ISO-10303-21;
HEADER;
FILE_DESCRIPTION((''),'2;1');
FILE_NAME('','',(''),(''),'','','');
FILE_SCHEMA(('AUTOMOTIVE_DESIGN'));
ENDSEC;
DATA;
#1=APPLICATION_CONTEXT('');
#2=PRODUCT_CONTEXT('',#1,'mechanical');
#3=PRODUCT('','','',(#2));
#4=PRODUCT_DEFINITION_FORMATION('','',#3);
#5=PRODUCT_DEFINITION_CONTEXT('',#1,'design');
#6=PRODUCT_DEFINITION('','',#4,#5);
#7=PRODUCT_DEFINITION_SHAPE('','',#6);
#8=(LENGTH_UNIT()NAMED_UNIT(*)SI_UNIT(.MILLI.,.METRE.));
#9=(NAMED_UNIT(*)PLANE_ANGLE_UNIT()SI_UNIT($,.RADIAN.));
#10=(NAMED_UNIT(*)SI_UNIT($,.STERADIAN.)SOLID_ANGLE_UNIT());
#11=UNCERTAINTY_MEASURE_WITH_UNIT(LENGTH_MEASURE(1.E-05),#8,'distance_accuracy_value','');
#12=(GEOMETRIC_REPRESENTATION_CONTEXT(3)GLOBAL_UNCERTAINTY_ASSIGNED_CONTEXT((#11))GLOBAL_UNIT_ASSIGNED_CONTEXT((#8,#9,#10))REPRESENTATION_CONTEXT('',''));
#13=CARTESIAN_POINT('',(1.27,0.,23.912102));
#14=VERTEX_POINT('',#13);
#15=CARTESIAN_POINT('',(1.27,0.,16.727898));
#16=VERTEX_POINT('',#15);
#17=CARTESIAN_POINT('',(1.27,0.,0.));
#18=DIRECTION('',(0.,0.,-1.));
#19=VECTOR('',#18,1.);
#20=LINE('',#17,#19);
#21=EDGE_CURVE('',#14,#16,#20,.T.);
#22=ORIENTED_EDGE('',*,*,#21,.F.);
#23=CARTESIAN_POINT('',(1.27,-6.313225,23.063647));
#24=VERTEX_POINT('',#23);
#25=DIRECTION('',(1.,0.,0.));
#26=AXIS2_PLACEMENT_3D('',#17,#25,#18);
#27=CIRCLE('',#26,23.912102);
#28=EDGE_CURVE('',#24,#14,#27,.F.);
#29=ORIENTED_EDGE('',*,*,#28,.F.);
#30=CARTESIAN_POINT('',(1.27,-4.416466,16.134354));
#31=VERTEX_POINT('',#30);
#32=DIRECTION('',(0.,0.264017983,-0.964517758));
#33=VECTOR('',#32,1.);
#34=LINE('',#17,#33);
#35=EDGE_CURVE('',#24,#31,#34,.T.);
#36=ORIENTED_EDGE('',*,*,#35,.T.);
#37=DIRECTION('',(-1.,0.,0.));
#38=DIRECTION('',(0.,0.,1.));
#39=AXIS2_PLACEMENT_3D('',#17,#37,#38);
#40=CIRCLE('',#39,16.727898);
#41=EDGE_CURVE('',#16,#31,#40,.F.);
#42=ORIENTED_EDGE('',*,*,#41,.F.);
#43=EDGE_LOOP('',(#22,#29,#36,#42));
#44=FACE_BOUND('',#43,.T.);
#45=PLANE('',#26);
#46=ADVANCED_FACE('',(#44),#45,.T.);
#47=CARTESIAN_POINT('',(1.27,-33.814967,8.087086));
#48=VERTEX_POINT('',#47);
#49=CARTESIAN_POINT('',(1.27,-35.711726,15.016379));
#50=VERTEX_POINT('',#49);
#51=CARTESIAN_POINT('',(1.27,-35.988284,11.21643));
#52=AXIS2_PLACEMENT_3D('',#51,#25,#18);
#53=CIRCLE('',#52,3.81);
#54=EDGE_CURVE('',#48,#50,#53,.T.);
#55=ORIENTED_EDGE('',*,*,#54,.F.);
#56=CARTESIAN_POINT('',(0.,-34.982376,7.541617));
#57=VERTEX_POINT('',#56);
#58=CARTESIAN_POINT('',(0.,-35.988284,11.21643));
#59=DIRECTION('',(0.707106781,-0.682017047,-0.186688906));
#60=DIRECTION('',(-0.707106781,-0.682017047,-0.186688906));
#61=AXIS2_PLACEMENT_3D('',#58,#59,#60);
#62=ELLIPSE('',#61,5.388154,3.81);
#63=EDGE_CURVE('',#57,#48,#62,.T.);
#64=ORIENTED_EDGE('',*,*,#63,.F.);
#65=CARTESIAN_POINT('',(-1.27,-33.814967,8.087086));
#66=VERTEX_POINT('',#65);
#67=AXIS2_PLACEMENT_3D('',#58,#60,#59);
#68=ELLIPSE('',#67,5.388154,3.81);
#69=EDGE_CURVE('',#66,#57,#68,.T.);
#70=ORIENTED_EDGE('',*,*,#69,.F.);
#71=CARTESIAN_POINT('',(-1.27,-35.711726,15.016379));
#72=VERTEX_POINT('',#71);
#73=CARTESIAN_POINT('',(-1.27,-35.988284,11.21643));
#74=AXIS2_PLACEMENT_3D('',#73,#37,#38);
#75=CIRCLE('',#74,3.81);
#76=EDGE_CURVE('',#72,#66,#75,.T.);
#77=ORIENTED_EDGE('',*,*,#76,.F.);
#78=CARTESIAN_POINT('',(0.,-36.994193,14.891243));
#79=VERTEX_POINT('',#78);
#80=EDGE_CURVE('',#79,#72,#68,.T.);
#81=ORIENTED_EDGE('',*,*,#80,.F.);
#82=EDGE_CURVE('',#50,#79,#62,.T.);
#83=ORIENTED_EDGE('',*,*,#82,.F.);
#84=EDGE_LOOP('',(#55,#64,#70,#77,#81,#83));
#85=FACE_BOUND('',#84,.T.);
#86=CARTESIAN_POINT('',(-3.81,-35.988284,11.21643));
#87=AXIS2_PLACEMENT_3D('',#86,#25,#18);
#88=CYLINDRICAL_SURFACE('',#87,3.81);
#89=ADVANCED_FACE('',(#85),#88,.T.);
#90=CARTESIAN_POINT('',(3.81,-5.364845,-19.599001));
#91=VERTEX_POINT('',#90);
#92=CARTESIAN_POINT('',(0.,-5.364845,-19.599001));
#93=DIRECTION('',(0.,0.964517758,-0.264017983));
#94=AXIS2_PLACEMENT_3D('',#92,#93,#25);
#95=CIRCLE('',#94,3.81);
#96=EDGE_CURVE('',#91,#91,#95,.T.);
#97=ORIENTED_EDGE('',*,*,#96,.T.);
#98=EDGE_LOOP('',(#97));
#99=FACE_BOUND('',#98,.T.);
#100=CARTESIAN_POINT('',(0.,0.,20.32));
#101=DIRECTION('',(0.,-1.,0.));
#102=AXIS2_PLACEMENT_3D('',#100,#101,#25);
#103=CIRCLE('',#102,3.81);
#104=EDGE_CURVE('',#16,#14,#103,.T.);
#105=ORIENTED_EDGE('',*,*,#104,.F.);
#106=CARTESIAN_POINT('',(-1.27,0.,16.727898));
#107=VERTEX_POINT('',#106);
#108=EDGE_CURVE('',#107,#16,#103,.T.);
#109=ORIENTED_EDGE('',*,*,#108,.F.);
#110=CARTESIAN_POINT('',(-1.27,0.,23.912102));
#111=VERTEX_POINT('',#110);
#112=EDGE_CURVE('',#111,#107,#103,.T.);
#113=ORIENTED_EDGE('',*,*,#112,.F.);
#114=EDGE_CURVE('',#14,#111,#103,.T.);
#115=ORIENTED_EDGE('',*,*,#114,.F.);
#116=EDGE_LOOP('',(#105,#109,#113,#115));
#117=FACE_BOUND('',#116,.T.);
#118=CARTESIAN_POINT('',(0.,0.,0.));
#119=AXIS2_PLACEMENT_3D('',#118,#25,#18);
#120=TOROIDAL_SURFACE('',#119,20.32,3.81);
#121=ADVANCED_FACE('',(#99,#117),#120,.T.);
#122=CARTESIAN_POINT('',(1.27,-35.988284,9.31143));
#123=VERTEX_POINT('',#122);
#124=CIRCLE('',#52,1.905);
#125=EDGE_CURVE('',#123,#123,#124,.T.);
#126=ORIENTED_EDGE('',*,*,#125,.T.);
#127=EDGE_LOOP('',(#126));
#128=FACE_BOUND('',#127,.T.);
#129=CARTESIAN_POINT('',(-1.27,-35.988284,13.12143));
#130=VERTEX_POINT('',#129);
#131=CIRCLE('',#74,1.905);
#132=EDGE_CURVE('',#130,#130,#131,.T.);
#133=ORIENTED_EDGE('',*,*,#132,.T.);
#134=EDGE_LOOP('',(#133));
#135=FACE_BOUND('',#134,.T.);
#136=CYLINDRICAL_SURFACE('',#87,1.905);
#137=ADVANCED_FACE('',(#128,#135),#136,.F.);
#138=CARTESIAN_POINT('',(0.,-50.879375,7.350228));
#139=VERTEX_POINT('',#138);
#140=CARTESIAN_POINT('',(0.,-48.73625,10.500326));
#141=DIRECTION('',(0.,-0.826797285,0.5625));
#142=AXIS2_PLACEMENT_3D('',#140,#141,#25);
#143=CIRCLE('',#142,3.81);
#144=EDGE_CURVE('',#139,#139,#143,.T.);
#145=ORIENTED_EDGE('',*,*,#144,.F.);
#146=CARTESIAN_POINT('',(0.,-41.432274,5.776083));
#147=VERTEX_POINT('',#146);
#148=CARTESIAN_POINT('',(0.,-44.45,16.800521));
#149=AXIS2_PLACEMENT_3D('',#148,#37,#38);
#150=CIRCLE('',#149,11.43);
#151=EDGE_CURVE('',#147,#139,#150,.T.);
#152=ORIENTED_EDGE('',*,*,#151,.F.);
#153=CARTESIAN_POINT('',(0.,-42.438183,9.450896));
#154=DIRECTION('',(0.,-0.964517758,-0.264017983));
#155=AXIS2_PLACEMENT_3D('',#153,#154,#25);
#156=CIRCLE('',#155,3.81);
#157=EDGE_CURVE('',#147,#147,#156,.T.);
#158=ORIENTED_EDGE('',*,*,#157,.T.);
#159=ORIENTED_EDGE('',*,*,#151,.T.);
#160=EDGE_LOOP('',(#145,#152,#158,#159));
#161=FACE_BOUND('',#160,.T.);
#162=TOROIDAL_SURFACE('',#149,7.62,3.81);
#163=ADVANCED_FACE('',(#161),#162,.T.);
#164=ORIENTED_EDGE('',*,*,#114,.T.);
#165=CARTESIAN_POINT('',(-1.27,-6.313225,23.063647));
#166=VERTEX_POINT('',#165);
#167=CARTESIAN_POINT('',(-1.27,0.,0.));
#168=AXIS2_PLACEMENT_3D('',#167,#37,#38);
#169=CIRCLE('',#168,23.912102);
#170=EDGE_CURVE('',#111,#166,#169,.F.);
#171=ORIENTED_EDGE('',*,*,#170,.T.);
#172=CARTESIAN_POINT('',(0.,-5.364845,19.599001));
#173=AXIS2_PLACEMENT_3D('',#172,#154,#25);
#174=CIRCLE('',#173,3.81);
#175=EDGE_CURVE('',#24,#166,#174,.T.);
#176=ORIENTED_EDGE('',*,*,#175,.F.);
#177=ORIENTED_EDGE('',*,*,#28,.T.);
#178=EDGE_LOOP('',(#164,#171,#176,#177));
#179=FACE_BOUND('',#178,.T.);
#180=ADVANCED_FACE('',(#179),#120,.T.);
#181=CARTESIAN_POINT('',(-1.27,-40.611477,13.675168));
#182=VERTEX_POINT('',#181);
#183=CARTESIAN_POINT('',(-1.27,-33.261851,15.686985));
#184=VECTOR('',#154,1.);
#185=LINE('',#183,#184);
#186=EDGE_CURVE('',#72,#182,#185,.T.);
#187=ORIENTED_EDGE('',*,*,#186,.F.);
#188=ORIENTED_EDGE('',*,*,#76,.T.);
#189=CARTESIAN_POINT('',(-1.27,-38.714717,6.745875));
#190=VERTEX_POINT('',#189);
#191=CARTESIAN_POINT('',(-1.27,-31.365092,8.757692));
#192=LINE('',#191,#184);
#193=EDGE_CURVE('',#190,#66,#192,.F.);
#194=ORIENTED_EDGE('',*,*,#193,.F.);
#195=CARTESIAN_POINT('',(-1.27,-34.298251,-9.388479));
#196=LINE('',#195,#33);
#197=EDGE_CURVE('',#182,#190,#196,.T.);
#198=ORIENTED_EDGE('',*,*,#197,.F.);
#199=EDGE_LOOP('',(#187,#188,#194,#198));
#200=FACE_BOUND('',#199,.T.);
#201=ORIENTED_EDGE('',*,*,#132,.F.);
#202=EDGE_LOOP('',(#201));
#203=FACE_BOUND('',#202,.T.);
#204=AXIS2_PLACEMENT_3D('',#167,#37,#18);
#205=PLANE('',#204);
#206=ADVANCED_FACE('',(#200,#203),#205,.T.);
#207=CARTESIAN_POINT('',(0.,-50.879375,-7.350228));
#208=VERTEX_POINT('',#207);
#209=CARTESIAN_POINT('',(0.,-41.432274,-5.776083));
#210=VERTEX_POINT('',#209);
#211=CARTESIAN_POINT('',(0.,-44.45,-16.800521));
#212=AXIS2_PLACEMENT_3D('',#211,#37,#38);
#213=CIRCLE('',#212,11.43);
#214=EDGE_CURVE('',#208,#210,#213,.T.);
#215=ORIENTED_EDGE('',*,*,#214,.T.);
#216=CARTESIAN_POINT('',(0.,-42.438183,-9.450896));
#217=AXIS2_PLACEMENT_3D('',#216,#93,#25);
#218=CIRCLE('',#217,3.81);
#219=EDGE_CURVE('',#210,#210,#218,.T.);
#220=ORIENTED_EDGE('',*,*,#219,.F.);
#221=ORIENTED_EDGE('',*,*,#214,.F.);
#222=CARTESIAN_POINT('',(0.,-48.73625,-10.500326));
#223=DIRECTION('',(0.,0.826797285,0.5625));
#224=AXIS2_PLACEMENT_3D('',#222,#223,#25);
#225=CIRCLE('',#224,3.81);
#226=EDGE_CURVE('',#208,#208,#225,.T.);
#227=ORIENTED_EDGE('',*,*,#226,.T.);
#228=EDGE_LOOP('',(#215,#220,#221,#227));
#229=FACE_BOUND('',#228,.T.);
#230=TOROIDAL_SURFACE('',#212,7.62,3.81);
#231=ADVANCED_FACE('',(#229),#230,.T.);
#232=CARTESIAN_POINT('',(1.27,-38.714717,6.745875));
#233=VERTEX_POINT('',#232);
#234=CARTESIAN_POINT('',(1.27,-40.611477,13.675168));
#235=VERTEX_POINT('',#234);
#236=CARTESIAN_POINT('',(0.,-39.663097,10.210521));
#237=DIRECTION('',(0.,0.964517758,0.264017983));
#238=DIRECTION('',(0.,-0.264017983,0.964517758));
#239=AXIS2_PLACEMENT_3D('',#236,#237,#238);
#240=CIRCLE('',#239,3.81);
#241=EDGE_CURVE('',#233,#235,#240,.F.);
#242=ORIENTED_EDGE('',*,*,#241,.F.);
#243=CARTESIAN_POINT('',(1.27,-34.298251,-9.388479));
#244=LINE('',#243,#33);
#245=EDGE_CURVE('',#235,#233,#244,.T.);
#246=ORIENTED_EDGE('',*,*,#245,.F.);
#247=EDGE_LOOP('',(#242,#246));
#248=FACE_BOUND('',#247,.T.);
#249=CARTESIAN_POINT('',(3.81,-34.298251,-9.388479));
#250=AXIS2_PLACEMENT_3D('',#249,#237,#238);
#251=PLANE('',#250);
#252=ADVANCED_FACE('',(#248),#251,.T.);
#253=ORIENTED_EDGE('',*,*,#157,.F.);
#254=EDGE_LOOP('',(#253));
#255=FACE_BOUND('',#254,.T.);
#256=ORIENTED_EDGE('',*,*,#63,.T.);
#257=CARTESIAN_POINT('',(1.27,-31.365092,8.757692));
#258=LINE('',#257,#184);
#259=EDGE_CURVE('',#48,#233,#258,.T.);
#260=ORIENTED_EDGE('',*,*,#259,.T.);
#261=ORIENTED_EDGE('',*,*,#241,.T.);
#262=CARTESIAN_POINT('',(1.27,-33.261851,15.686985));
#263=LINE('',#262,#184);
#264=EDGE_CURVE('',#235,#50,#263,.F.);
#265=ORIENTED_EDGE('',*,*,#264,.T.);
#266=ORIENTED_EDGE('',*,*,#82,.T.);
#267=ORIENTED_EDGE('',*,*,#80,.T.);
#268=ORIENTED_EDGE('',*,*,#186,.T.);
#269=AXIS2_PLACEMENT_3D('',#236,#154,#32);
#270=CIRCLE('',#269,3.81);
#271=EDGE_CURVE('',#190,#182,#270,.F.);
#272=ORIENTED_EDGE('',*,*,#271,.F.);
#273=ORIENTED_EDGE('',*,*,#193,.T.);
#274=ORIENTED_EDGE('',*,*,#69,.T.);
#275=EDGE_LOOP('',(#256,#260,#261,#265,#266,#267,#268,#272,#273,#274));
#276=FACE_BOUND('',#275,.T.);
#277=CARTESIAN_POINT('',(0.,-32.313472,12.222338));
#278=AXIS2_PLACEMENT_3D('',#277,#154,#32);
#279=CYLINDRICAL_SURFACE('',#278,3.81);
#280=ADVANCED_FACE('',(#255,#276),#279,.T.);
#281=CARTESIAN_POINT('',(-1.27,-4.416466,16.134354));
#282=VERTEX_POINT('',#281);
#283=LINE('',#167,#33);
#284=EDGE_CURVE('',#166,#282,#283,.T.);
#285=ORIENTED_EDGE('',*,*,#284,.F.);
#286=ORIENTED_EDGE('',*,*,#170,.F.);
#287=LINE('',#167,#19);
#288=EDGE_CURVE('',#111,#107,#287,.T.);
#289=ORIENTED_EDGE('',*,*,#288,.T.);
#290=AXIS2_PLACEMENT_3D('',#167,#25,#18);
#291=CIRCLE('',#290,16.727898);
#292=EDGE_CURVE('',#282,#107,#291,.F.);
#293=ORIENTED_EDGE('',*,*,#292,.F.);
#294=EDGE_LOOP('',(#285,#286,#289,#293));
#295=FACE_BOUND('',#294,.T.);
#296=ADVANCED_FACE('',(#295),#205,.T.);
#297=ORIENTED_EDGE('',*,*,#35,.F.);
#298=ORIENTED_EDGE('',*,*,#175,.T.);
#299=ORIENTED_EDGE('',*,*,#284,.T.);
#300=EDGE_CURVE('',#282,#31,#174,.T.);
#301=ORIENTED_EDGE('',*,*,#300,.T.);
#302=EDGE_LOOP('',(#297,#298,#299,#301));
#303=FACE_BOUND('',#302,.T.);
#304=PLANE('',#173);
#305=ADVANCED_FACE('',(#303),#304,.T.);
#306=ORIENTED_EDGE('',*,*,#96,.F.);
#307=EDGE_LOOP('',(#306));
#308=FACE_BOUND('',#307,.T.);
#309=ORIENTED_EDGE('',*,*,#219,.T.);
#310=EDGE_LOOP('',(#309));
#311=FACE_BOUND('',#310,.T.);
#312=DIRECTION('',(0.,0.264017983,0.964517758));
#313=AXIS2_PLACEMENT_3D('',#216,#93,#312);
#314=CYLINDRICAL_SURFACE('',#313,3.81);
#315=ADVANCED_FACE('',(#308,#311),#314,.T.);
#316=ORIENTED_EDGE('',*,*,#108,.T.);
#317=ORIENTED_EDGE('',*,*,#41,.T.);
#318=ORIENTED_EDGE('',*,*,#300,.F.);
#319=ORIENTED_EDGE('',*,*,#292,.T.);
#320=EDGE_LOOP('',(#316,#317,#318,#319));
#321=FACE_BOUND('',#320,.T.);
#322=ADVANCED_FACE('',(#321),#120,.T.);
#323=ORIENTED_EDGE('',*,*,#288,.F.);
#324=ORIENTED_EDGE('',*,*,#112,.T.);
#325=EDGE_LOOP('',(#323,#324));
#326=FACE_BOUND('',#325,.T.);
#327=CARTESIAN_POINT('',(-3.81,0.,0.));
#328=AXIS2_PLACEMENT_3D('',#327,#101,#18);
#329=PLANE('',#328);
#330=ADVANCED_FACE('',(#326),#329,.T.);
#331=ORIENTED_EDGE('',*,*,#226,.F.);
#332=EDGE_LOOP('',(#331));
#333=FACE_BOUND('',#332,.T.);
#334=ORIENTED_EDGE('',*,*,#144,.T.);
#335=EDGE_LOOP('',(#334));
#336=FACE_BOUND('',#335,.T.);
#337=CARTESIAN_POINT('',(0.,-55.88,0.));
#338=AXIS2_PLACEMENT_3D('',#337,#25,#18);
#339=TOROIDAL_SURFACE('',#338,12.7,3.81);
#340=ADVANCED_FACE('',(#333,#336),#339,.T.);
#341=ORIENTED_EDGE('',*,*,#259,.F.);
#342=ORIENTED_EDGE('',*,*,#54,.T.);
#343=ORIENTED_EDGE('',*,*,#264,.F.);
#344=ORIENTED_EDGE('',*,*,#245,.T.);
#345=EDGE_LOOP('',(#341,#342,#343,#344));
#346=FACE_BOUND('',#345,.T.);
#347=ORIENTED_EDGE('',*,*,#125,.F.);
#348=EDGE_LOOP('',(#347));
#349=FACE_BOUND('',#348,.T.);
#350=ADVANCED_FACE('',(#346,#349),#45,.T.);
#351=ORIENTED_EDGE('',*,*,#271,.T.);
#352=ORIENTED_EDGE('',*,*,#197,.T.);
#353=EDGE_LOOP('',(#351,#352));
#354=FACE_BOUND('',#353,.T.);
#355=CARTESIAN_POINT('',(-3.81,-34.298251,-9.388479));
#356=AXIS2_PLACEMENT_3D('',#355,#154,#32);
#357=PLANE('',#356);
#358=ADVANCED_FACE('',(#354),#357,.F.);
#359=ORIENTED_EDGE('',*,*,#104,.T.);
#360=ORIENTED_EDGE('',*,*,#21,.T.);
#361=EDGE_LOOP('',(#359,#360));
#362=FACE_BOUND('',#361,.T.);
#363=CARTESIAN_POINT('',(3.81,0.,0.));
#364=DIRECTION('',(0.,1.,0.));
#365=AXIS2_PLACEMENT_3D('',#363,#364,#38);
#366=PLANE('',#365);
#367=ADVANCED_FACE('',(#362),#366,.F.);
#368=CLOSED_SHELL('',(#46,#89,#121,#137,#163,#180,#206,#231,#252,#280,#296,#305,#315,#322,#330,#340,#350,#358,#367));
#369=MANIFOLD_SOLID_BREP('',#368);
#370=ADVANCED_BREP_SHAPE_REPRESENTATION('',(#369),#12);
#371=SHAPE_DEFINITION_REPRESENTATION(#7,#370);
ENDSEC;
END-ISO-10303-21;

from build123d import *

# Parameters (mm, degrees)
SKETCH2_R               = 3.81
CUT_EXTRUDE3_START      = 1.27
SKETCH7_R               = 1.905
CUT_EXTRUDE3_DEPTH      = 76.130818844
CUT_EXTRUDE4_DEPTH      = 77.400818844
CUT_EXTRUDE4_DEPTH_BACK = 77.400818844
SKETCH7_4_R             = 1.905


with BuildPart() as part:
    # Sweep1: sweep along a path in Sketch1
    with BuildLine(Plane(origin=(0, 0, 0), x_dir=(0, 0, -1), z_dir=(1, 0, 0))) as sweep1_path:
        Line((-8.547525746, -31.307563042), (-5.776082855, -41.432274459))
        ThreePointArc((-5.776082855, -41.432274459), (-5.525966339, -46.328648752), (-7.350227861, -50.879375))
        ThreePointArc((-7.350227861, -50.879375), (0, -64.77), (7.350227861, -50.879375))
        ThreePointArc((7.350227861, -50.879375), (5.525966339, -46.328648752), (5.776082855, -41.432274459))
        Line((5.776082855, -41.432274459), (15.924188179, -4.358936892))
        ThreePointArc((15.924188179, -4.358936892), (2.19906266, 16.362891658), (-16.51, 0))
        ThreePointArc((-16.51, 0), (-16.362891658, -2.19906266), (-15.924188179, -4.358936892))
    # Sketch2 → Sweep1 (sweep)
    with BuildSketch(Plane.XY):
        with Locations((0, 20.32)):
            Circle(SKETCH2_R)
    sweep(path=sweep1_path.line)

    # Sketch7 → Cut-Extrude3 (cut, through all)
    # profile 1 of 2: a face of its own
    with BuildSketch(Plane(origin=(0, 0, 0), x_dir=(0, 0, -1), z_dir=(1, 0, 0)).offset(CUT_EXTRUDE3_START)):
        with BuildLine():
            Line((-16.51, 0), (-24.13, 0))
            ThreePointArc((-24.13, 0), (-23.914995501, -3.214014656), (-23.273813493, -6.37075392))
            Line((-23.273813493, -6.37075392), (-15.924188179, -4.358936892))
            ThreePointArc((-15.924188179, -4.358936892), (-16.362891658, -2.19906266), (-16.51, 0))
        make_face()
    # profile 2 of 2: a face of its own
    with BuildSketch(Plane(origin=(0, 0, 0), x_dir=(0, 0, -1), z_dir=(1, 0, 0)).offset(CUT_EXTRUDE3_START)):
        Polygon((-15.897151059, -33.319380069), (-13.885334032, -40.669005383), (-6.535708719, -38.657188355), (-8.547525746, -31.307563042), align=None)
        with Locations((-11.216429889, -35.988284212)):
            Circle(SKETCH7_R, mode=Mode.SUBTRACT)
    cut_extrude3 = extrude(amount=CUT_EXTRUDE3_DEPTH, mode=Mode.SUBTRACT)

    # Mirror1: Cut-Extrude3 across plane
    add(cut_extrude3.mirror(Plane(origin=(0, 0, 0), x_dir=(0, 0, 1), z_dir=(1, 0, 0))), mode=Mode.SUBTRACT)

    # Sketch7<4> → Cut-Extrude4 (cut, two sides: drawn at the far end of the back side and taken through both)
    with BuildSketch(Plane(origin=(0, 0, 0), x_dir=(0, 0, -1), z_dir=(1, 0, 0)).offset(-CUT_EXTRUDE4_DEPTH_BACK)):
        with BuildLine():
            Line((-12.222338261, -32.313471517), (-15.897151059, -33.319380069))
            Line((-15.897151059, -33.319380069), (-14.891242546, -36.994192726))
            ThreePointArc((-14.891242546, -36.994192726), (-14.526199533, -34.101083931), (-12.222338261, -32.313471517))
        make_face()
        with BuildLine():
            Line((-8.547525746, -31.307563042), (-12.222338261, -32.313471517))
            ThreePointArc((-12.222338261, -32.313471517), (-9.329229607, -32.678514568), (-7.541617232, -34.982375699))
            Line((-7.541617232, -34.982375699), (-8.547525746, -31.307563042))
        make_face()
        with Locations((-11.216429889, -35.988284212)):
            Circle(SKETCH7_4_R)
    extrude(amount=CUT_EXTRUDE4_DEPTH + CUT_EXTRUDE4_DEPTH_BACK, mode=Mode.SUBTRACT)


solid = part.part
